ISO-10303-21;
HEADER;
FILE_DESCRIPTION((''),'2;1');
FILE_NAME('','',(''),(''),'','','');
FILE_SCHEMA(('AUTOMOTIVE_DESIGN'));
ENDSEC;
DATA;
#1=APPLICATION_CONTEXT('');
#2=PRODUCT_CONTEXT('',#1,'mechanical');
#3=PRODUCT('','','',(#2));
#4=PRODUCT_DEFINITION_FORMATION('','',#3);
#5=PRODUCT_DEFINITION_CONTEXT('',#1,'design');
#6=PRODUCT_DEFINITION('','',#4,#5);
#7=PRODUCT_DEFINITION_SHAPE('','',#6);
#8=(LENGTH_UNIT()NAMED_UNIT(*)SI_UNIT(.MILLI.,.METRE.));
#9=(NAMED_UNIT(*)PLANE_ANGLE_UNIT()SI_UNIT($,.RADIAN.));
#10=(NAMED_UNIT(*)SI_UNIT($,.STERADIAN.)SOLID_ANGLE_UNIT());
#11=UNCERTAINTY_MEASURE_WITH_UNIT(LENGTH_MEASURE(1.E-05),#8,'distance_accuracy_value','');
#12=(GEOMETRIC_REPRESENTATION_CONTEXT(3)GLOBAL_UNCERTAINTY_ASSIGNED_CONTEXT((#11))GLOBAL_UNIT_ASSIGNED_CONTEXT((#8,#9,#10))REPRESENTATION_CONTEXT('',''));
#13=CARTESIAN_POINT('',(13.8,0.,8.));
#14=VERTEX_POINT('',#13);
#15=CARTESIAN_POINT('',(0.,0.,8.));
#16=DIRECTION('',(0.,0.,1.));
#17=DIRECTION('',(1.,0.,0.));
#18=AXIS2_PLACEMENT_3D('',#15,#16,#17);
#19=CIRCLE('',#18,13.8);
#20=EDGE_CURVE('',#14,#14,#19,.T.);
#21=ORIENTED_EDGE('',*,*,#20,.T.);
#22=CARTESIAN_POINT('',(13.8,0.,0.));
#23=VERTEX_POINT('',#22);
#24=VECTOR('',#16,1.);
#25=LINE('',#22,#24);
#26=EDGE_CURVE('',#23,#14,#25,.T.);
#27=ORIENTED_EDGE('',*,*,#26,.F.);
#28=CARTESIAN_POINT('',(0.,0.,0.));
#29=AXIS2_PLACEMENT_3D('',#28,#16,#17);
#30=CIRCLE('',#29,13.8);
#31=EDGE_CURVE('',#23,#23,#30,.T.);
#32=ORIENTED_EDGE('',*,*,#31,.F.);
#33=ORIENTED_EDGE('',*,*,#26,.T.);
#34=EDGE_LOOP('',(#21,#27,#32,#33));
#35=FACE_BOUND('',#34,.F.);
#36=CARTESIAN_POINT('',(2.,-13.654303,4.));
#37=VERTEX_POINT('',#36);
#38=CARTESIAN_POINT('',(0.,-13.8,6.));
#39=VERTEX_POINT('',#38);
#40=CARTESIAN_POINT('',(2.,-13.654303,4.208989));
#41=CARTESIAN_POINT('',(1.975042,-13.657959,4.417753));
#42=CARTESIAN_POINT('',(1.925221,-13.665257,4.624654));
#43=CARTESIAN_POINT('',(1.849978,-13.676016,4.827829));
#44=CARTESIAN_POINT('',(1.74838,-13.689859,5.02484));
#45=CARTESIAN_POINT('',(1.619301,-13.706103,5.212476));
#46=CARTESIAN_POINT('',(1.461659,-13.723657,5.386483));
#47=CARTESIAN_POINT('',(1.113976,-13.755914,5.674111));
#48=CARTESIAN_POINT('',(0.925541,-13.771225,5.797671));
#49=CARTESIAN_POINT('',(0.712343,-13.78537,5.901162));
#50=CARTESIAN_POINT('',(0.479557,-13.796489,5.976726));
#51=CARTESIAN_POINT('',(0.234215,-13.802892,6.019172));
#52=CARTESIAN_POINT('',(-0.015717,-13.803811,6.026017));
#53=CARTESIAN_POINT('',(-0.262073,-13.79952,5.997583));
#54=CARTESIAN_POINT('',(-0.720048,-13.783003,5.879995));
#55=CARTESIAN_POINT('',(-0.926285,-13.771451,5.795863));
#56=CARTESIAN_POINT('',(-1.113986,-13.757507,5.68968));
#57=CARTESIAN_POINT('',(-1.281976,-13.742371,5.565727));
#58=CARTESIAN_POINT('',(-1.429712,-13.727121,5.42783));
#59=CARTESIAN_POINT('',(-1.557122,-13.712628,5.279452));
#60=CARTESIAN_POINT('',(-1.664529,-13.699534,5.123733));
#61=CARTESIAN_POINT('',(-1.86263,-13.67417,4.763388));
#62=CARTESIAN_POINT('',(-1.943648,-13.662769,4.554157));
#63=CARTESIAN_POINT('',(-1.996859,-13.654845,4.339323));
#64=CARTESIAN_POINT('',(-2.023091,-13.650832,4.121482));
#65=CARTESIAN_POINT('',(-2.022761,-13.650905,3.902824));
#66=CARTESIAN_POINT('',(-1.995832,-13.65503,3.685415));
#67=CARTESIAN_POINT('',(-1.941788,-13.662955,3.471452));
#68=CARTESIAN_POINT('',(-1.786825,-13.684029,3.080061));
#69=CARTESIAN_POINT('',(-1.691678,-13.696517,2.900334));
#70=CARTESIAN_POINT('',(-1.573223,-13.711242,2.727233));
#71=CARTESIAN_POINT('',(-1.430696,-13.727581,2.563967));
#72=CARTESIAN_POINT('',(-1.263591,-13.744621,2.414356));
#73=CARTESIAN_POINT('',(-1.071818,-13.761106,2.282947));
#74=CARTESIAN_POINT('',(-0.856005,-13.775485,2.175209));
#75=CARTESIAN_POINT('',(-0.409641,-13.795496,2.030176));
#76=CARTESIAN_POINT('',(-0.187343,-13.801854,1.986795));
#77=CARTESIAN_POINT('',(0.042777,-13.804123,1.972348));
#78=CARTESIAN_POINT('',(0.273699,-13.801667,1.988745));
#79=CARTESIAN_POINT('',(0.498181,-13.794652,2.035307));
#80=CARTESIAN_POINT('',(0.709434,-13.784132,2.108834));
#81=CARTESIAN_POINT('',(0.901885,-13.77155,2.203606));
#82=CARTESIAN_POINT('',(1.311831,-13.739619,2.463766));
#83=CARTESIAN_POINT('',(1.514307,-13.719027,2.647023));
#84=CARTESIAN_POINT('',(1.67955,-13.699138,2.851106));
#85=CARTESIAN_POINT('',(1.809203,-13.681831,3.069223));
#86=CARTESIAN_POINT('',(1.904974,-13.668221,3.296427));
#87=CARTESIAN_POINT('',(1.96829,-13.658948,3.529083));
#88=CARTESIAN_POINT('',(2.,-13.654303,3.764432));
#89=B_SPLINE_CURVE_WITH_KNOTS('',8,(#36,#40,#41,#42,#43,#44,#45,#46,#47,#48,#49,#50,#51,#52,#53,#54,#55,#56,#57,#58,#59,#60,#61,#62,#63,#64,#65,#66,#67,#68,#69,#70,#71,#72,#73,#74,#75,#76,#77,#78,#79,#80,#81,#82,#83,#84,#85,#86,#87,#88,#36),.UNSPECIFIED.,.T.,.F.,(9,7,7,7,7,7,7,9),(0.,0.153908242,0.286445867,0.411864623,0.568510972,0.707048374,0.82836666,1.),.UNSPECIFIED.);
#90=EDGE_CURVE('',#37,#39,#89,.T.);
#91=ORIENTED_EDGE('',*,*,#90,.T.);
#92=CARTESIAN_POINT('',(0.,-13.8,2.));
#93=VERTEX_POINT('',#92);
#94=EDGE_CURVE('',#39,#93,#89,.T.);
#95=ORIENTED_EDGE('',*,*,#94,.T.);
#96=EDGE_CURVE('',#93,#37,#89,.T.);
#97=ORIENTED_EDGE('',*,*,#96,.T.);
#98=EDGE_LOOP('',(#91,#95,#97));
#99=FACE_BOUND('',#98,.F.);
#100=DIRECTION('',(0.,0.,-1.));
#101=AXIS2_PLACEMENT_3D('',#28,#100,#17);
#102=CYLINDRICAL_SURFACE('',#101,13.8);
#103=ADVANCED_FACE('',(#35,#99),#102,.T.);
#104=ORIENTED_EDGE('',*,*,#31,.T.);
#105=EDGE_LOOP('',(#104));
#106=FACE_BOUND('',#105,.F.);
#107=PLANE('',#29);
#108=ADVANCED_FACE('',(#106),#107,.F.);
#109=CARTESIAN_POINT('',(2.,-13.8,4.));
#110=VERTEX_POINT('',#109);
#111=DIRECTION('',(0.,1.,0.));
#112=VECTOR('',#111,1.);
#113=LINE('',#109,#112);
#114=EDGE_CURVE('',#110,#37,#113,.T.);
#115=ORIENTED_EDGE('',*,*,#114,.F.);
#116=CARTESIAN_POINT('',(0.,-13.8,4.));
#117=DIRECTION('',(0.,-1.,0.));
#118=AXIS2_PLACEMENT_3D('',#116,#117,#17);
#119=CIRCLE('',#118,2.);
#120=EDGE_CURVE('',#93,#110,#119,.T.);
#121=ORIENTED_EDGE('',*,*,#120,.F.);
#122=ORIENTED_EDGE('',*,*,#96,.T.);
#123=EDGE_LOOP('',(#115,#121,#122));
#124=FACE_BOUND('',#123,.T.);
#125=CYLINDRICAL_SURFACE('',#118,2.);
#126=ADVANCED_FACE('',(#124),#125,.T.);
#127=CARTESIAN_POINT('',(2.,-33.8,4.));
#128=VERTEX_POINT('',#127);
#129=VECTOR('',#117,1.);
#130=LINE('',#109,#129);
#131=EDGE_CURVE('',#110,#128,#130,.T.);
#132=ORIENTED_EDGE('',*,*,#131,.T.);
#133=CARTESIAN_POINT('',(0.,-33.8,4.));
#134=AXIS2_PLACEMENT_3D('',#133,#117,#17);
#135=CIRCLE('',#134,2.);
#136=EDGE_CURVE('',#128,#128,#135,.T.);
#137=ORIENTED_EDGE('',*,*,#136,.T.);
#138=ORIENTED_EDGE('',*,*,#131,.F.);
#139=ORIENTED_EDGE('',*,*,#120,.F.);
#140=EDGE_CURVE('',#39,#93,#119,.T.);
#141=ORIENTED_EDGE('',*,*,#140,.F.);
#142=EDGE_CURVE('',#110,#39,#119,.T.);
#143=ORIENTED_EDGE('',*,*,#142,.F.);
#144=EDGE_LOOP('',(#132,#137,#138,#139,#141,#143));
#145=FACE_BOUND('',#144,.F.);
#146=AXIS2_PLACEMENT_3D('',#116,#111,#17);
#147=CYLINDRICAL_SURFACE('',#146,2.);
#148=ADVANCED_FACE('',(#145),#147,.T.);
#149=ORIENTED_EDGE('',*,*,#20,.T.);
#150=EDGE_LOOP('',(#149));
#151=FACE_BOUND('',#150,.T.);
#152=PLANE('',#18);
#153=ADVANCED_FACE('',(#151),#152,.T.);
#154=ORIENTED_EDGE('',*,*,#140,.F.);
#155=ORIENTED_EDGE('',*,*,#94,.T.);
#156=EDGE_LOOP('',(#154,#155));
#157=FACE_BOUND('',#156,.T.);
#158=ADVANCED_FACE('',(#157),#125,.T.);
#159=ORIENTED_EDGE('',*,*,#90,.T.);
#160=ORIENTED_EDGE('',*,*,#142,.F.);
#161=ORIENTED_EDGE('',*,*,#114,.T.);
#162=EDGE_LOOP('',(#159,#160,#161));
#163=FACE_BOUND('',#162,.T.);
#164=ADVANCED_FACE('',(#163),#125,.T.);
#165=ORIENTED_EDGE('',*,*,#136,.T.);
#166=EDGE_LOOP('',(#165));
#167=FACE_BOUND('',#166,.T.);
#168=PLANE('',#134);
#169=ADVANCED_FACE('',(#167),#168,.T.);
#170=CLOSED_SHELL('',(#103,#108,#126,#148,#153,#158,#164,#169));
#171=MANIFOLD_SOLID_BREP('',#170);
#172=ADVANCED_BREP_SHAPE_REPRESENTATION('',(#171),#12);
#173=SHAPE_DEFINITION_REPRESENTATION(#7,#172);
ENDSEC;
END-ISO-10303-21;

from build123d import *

# Parameters (mm, degrees)
F0_R          = 13.8
F1_DEPTH      = 8
F5_R          = 2
F6_DEPTH      = 20
F6_DEPTH_BACK = 13.7


with BuildPart() as f1:
    # F0 (on Top) → F1 (new body)
    with BuildSketch(Plane.XY):
        Circle(F0_R)
    extrude(amount=F1_DEPTH)

    # F5 (on plane+point) → F6 (join, two sides)
    with BuildSketch(Plane.XZ.offset(13.8)) as f6_sk:
        with Locations((0, 4)):
            Circle(F5_R)
    extrude(amount=F6_DEPTH)
    extrude(f6_sk.sketch, amount=-F6_DEPTH_BACK)


solid = f1.part
